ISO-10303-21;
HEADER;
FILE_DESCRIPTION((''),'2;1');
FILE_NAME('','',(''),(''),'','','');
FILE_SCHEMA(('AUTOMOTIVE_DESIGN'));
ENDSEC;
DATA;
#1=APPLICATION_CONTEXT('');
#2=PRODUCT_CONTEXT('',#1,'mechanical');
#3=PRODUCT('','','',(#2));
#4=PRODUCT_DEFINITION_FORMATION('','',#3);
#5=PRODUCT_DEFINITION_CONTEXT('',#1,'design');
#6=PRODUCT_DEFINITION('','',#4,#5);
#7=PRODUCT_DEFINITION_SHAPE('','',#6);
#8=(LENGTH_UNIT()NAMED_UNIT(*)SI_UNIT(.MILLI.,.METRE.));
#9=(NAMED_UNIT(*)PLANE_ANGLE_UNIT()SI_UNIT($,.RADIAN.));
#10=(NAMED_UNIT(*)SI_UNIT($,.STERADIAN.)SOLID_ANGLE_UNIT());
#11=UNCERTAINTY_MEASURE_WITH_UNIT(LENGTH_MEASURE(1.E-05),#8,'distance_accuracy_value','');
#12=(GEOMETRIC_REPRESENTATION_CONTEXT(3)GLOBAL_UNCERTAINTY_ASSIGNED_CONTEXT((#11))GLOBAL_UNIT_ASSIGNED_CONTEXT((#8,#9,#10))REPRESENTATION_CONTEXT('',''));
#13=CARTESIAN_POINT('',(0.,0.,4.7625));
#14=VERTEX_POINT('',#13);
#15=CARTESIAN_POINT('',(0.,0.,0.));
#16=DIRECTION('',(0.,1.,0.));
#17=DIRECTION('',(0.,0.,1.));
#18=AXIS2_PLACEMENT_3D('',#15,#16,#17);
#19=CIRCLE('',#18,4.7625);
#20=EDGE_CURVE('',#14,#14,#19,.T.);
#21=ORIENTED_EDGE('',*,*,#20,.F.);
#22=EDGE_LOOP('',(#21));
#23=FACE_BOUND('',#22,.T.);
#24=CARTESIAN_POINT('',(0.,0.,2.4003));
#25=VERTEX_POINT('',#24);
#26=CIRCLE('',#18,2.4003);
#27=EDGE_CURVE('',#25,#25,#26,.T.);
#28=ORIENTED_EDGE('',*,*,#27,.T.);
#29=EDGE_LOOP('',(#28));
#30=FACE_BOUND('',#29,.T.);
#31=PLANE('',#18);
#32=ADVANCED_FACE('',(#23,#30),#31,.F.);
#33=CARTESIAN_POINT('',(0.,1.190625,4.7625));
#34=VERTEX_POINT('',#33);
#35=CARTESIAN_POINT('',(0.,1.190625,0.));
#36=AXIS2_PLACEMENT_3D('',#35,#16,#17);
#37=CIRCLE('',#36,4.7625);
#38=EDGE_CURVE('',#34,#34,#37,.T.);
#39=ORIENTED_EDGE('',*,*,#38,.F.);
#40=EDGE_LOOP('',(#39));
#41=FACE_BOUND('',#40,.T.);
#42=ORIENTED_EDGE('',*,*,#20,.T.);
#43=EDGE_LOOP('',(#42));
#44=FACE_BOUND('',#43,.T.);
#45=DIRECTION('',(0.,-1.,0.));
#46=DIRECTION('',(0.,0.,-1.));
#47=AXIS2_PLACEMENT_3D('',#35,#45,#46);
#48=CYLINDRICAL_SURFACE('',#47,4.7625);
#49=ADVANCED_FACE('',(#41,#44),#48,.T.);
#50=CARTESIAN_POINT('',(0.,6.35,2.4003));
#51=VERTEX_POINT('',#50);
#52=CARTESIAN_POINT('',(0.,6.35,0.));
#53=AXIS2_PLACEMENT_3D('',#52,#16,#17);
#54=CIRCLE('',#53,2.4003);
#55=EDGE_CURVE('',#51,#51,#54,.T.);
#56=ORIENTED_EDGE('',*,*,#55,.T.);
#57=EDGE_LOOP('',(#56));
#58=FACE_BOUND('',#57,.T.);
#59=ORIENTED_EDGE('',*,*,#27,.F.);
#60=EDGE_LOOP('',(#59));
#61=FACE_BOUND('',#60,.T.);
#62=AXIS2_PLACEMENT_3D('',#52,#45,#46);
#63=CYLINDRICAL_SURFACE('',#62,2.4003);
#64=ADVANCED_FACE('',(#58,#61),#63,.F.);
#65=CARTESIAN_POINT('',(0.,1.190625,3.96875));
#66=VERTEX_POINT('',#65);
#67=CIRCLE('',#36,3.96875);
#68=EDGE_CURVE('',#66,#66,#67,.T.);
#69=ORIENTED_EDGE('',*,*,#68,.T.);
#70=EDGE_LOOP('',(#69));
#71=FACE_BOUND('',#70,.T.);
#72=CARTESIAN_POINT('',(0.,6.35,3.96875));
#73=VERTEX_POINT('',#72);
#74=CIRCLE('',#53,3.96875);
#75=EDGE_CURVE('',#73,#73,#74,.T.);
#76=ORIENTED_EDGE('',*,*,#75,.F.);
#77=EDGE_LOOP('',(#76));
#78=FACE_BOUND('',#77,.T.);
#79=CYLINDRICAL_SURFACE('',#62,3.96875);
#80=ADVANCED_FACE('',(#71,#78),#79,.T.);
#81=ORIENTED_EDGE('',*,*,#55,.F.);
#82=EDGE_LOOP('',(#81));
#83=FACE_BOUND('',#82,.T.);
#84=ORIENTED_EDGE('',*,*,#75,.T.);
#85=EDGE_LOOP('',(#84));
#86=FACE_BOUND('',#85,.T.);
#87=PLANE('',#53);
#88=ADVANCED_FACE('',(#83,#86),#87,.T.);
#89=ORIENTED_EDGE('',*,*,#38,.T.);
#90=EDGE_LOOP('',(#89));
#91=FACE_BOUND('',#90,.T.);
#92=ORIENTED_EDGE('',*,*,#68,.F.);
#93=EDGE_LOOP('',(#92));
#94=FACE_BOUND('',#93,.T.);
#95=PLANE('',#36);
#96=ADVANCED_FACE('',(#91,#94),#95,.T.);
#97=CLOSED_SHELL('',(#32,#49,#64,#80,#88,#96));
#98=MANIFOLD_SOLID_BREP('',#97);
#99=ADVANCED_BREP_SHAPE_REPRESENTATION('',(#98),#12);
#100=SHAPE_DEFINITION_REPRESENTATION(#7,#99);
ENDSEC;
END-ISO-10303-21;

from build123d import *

# Parameters (mm, degrees)
SKETCH2_R           = 3.96875
SKETCH2_R_2         = 2.4003
BOSS_EXTRUDE1_DEPTH = 6.35
SKETCH3_R           = 4.7625
SKETCH3_R_2         = 3.96875
BOSS_EXTRUDE2_DEPTH = 1.190625


with BuildPart() as part:
    # Sketch2 → Boss-Extrude1 (new body)
    with BuildSketch(Plane(origin=(0, 0, 0), x_dir=(1, 0, 0), z_dir=(0, 1, 0))):
        Circle(SKETCH2_R)
        Circle(SKETCH2_R_2, mode=Mode.SUBTRACT)
    extrude(amount=BOSS_EXTRUDE1_DEPTH)

    # Sketch3 → Boss-Extrude2 (add)
    with BuildSketch(Plane(origin=(0, 0, 0), x_dir=(1, 0, 0), z_dir=(0, 1, 0))):
        Circle(SKETCH3_R)
        Circle(SKETCH3_R_2, mode=Mode.SUBTRACT)
    extrude(amount=BOSS_EXTRUDE2_DEPTH)


solid = part.part
